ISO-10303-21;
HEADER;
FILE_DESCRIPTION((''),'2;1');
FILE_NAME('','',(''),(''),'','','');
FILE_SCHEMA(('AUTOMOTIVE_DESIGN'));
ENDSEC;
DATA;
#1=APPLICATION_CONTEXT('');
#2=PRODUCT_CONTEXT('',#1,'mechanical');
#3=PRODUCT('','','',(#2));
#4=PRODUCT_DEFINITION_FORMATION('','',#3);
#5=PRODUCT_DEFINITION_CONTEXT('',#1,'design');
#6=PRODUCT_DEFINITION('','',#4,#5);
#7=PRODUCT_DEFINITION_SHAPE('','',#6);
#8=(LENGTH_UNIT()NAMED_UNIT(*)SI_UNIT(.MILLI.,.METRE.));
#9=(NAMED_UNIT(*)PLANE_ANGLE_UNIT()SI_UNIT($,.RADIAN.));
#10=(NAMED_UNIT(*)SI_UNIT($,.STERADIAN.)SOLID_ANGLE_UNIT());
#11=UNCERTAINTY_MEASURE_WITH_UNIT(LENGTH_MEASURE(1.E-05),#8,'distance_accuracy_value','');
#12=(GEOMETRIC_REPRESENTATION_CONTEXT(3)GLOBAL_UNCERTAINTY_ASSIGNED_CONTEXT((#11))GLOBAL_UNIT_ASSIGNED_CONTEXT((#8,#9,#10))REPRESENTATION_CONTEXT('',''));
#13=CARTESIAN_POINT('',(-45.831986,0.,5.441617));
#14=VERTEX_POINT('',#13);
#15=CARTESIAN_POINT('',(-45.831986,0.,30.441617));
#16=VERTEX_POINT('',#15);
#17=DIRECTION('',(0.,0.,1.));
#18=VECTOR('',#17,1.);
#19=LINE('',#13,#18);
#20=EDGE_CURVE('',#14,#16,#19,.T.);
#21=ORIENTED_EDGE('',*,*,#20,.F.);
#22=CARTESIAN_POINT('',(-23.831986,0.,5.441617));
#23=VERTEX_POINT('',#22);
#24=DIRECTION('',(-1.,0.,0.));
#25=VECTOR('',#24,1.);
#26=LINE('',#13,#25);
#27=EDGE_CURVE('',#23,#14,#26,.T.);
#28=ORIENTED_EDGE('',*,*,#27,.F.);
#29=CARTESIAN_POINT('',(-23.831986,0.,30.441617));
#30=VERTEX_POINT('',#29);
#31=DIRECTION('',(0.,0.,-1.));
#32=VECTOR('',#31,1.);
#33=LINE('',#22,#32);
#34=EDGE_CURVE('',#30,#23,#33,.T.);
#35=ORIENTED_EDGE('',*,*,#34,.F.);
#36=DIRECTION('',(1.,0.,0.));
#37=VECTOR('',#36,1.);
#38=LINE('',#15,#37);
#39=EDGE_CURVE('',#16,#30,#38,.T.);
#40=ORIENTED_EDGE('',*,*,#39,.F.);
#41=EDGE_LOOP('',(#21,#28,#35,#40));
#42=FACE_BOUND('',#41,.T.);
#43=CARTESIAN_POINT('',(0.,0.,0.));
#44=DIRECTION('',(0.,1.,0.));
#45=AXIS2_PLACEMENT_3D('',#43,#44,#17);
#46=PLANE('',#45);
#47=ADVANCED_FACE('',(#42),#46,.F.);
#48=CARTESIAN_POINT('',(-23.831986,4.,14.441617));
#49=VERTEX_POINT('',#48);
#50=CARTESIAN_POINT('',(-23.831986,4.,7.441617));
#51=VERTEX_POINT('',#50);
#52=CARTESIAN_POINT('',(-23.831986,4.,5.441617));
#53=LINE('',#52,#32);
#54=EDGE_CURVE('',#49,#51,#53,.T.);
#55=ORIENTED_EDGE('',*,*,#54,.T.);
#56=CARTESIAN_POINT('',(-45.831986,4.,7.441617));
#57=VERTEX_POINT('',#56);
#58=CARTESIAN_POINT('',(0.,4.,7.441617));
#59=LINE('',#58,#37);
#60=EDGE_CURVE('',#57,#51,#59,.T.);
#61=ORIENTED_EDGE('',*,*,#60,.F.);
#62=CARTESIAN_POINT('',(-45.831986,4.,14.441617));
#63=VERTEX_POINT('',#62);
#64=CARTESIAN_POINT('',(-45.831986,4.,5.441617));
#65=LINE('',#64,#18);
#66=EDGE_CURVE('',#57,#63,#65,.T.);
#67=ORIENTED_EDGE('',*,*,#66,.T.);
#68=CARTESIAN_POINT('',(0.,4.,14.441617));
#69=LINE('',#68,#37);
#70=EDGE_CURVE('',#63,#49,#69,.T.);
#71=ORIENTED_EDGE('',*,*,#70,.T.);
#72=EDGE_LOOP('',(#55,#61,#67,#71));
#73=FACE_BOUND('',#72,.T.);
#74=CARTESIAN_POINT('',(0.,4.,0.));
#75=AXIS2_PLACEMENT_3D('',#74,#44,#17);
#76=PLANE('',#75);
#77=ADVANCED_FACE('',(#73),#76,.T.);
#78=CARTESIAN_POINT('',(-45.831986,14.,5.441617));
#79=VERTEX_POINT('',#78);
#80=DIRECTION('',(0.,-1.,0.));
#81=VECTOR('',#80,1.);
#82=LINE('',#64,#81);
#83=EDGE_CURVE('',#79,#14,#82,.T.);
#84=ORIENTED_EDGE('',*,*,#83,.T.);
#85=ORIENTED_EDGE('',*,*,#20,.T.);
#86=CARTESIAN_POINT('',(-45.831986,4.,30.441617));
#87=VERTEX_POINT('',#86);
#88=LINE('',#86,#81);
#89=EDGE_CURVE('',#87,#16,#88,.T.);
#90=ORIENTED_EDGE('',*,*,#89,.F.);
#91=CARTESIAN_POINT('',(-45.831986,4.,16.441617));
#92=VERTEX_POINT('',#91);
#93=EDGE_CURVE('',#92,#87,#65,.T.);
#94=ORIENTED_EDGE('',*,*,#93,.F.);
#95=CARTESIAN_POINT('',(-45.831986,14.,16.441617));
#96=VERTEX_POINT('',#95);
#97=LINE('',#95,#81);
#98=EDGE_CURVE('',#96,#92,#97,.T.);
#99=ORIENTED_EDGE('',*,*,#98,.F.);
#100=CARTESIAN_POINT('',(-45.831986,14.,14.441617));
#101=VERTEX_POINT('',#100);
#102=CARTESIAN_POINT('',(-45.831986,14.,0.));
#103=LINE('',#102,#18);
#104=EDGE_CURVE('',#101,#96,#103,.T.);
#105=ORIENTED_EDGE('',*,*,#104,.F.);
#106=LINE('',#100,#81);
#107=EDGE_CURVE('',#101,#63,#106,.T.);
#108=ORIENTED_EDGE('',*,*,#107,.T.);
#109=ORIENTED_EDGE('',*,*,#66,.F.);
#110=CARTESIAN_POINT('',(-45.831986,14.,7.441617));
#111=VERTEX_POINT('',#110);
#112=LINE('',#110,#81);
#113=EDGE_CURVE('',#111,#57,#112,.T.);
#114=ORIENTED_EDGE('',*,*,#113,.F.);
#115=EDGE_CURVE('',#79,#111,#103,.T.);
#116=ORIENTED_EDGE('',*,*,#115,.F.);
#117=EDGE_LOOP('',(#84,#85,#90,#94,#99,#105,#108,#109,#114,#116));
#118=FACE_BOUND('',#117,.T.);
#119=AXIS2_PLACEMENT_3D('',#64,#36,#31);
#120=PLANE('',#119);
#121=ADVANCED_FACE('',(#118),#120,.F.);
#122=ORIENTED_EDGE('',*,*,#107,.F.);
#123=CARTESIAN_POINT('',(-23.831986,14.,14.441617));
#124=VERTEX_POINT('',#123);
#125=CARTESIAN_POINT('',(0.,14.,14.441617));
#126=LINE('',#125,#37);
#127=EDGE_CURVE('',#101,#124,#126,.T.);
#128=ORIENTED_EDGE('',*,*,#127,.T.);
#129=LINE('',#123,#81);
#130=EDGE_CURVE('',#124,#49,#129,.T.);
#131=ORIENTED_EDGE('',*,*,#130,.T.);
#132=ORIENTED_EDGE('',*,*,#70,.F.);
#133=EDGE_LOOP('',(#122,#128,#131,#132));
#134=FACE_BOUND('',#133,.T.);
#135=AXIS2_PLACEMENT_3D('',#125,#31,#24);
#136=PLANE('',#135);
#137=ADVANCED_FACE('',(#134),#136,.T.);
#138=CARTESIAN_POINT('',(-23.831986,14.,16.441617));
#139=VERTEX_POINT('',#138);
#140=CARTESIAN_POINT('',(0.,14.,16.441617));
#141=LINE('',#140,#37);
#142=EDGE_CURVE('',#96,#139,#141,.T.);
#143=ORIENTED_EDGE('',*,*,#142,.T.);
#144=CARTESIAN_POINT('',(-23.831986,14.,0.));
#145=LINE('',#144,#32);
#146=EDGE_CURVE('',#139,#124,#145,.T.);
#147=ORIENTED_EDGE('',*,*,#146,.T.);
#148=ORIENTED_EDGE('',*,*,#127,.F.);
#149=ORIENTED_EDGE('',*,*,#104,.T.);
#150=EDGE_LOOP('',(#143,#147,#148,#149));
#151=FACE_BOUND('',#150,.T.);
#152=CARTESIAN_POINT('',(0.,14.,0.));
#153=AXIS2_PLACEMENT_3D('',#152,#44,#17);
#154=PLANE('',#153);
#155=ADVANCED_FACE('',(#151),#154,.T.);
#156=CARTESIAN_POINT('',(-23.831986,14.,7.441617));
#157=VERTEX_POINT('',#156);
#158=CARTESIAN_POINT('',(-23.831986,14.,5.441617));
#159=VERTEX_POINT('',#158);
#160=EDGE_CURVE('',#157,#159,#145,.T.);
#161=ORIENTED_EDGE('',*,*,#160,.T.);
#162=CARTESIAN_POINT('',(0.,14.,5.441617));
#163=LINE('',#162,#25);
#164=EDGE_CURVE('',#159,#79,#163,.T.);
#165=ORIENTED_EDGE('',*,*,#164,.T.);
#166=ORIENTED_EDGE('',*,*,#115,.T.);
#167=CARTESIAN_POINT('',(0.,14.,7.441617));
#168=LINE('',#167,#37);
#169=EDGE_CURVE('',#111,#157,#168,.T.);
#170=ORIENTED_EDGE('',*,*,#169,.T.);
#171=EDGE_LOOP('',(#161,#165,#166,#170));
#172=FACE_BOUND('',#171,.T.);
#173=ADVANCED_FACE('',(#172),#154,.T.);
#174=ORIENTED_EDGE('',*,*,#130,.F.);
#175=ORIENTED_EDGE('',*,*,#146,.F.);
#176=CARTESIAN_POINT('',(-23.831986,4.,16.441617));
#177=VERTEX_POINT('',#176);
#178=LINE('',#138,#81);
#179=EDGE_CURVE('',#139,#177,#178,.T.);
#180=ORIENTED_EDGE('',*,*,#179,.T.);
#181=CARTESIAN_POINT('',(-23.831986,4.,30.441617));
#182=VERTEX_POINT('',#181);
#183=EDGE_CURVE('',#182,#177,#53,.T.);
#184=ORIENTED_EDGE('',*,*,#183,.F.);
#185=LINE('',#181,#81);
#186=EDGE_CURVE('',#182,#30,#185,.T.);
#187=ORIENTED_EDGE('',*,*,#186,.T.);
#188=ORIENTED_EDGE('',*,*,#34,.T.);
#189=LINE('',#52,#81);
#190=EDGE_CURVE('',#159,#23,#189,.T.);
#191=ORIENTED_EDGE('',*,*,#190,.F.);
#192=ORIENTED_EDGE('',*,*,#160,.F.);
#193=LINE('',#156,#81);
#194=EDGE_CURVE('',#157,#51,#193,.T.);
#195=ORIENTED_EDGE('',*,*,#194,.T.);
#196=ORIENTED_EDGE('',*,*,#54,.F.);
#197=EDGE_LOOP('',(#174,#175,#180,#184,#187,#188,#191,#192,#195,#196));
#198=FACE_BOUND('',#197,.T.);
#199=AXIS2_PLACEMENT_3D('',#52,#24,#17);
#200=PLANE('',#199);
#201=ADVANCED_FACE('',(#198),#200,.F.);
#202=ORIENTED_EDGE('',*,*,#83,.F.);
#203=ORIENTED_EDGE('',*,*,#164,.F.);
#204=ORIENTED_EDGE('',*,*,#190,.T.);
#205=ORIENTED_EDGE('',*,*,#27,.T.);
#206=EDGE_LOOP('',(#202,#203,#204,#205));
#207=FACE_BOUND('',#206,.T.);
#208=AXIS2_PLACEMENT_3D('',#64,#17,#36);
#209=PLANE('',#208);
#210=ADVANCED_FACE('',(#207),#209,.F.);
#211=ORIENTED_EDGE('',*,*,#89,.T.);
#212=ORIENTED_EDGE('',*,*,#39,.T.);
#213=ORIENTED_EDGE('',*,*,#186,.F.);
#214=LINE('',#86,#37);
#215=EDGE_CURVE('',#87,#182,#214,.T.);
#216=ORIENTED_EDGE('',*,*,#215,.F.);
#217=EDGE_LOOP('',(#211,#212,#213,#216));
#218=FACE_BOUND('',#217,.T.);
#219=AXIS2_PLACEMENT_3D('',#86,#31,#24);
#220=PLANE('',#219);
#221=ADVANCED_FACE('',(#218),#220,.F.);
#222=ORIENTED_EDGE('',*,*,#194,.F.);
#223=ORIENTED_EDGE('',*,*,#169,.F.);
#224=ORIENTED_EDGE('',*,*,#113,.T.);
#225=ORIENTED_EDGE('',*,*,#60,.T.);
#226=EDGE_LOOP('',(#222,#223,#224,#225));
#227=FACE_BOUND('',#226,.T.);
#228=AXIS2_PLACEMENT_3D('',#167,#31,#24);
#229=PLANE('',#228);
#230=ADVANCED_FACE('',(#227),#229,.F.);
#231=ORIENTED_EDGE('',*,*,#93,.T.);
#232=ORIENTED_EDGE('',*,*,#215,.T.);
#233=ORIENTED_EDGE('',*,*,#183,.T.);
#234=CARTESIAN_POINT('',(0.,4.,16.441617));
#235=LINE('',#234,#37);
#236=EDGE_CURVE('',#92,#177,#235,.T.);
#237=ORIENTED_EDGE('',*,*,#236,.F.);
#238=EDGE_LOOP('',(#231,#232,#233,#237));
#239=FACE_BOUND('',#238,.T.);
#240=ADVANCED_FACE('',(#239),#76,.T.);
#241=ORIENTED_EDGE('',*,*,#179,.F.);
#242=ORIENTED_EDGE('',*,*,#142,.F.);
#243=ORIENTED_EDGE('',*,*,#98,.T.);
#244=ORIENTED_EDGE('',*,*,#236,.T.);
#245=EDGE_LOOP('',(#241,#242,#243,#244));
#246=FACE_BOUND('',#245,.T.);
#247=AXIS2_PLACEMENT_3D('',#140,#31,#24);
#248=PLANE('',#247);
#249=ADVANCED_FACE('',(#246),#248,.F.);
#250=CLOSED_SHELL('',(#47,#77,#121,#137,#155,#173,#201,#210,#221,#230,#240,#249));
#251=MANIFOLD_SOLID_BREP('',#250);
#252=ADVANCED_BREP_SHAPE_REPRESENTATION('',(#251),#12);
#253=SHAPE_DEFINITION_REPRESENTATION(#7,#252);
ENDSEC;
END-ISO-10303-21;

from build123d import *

# Parameters (mm, degrees)
SKETCH_2_W      = 22
SKETCH_2_H      = 25
EXTRUDE_1_DEPTH = 4
SKETCH_3_W      = 22
SKETCH_3_H      = 2
EXTRUDE_2_DEPTH = 10


with BuildPart() as part:
    # Эскиз2 → Бобышка-Вытянуть1 (new body)
    with BuildSketch(Plane(origin=(0, 0, 0), x_dir=(1, 0, 0), z_dir=(0, 1, 0))):
        with Locations((-34.831985697, -17.94161698)):
            Rectangle(SKETCH_2_W, SKETCH_2_H)
    extrude(amount=EXTRUDE_1_DEPTH)

    # Эскиз3 → Бобышка-Вытянуть2 (add)
    with BuildSketch(Plane(origin=(0, 4, 0), x_dir=(1, 0, 0), z_dir=(0, 1, 0))):
        with Locations((-34.831985697, -6.44161698)):
            Rectangle(SKETCH_3_W, SKETCH_3_H)
        with Locations((-34.831985697, -15.44161698)):
            Rectangle(SKETCH_3_W, SKETCH_3_H)
    extrude(amount=EXTRUDE_2_DEPTH)


solid = part.part
